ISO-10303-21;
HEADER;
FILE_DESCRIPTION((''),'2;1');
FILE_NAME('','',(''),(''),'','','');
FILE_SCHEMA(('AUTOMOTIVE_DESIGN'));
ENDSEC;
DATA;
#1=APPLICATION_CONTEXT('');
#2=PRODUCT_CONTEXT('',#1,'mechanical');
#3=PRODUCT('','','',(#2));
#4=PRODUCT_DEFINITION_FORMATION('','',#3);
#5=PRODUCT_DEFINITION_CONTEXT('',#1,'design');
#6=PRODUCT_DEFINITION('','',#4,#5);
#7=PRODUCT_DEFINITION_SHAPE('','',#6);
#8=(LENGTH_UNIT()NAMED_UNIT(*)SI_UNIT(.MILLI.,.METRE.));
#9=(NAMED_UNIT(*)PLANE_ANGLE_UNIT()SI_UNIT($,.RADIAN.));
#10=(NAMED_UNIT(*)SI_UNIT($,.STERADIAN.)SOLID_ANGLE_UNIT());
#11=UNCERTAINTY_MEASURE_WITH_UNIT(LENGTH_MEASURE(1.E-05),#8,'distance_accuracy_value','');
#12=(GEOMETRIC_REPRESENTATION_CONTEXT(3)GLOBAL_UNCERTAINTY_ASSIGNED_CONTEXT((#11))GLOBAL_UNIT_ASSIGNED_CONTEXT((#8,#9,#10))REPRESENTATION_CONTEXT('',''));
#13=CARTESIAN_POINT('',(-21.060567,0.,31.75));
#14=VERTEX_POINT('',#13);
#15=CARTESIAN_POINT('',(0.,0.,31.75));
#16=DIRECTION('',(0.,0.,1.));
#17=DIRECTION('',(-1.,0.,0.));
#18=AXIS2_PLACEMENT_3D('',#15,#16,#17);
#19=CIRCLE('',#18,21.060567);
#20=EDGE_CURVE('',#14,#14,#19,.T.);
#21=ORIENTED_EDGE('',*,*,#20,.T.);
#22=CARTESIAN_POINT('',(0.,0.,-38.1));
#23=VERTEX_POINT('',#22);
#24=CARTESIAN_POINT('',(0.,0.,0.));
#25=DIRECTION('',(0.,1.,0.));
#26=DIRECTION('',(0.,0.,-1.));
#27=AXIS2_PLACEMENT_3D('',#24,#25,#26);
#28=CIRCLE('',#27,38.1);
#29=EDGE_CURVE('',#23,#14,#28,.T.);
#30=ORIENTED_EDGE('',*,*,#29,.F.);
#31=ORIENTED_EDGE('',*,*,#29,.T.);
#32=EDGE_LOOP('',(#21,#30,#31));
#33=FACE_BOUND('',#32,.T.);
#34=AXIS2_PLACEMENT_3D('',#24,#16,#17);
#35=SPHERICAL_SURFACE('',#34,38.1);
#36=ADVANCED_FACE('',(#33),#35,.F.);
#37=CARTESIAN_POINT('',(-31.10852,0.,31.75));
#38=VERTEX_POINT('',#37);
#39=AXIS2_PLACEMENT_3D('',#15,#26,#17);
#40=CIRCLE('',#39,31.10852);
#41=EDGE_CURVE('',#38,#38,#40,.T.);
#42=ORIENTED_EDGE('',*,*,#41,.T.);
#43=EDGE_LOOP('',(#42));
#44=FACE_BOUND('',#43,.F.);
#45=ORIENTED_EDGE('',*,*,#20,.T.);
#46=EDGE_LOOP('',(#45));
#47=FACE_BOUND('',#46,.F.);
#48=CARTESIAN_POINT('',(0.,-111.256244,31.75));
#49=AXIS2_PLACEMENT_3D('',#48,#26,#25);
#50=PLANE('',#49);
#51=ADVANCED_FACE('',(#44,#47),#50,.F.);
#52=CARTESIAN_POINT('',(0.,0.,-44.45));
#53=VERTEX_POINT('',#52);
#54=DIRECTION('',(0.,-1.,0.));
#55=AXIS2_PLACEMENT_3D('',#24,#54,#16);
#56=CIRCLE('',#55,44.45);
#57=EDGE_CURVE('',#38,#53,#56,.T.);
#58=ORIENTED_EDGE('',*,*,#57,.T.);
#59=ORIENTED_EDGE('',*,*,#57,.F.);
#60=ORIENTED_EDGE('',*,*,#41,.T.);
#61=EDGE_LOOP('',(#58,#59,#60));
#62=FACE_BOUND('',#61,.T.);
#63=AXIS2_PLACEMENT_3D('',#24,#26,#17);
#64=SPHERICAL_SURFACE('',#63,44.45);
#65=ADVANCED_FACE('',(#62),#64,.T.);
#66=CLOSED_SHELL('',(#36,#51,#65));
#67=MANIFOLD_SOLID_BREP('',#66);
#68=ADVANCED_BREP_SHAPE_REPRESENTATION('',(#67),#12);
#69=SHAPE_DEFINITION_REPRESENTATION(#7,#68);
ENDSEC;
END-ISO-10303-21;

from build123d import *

# Parameters (mm, degrees)
F2_W     = 233.821573
F2_H     = 64.181482
F3_DEPTH = 63.5


with BuildPart() as f1:
    # F0 (on Front) → F1 (revolve)
    with BuildSketch(Plane.XZ):
        with BuildLine():
            ThreePointArc((0, -38.1), (-38.1, 0), (0, 38.1))
            Line((0, 38.1), (0, 44.45))
            ThreePointArc((0, 44.45), (-44.45, 0), (0, -44.45))
            Line((0, -44.45), (0, -38.1))
        make_face()
    revolve(axis=Axis((0, 0, 0), (0, 0, -1)))

    # F2 (on Right) → F3 (cut, symmetric)
    with BuildSketch(Plane.YZ):
        with Locations((5.654542, 63.840741)):
            Rectangle(F2_W, F2_H)
    extrude(amount=F3_DEPTH, both=True, mode=Mode.SUBTRACT)


solid = f1.part
